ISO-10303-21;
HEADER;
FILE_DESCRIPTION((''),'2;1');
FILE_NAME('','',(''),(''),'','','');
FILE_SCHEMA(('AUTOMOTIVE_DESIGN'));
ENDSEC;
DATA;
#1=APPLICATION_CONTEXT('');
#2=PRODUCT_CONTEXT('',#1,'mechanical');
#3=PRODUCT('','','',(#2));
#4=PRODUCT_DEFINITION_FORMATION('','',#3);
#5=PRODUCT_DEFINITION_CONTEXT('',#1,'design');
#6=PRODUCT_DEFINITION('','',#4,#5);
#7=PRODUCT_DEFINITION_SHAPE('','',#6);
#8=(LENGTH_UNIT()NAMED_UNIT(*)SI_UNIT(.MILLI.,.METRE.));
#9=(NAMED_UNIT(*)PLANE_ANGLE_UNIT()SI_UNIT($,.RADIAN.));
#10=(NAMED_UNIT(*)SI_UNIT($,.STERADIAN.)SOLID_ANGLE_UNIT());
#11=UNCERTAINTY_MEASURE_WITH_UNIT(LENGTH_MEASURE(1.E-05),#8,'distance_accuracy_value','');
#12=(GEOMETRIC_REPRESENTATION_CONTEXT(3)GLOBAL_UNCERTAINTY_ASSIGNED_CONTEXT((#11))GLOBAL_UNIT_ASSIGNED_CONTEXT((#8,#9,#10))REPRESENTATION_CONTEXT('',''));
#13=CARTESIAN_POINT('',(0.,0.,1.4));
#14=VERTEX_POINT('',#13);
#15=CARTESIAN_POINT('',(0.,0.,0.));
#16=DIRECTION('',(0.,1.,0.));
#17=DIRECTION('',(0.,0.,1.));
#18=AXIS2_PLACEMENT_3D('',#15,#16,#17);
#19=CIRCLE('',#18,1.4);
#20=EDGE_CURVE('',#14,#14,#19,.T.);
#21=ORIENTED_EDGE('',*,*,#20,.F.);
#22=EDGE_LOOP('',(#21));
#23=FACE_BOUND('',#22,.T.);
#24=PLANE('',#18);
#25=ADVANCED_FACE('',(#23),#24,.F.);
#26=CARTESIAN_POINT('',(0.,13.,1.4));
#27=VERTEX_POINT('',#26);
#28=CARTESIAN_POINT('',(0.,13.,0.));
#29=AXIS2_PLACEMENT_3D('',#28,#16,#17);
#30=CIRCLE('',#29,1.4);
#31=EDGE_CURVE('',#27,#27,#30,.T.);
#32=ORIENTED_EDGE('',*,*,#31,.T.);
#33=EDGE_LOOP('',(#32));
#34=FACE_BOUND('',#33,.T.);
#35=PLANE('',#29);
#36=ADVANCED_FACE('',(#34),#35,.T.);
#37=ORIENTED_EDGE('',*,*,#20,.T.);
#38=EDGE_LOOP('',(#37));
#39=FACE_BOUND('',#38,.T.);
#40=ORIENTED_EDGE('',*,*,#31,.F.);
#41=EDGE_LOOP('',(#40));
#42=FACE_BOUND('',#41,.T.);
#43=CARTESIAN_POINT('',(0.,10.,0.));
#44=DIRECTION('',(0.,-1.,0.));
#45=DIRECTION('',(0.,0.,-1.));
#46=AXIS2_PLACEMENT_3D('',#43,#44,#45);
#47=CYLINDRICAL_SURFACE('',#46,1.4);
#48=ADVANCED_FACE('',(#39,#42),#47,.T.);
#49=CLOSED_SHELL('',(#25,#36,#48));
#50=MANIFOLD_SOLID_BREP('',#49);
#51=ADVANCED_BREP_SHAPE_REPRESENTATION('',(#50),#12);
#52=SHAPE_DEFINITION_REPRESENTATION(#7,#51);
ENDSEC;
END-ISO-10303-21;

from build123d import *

# Parameters (mm, degrees)
SKETCH1_R           = 1.4
BOSS_EXTRUDE1_DEPTH = 10
SKETCH2_R           = 1.4
BOSS_EXTRUDE2_DEPTH = 3


with BuildPart() as part:
    # Sketch1 → Boss-Extrude1 (new body)
    with BuildSketch(Plane(origin=(0, 0, 0), x_dir=(1, 0, 0), z_dir=(0, 1, 0))):
        Circle(SKETCH1_R)
    extrude(amount=BOSS_EXTRUDE1_DEPTH)

    # Sketch2 → Boss-Extrude2 (add)
    with BuildSketch(Plane(origin=(0, 10, 0), x_dir=(1, 0, 0), z_dir=(0, 1, 0))):
        Circle(SKETCH2_R)
    extrude(amount=BOSS_EXTRUDE2_DEPTH)


solid = part.part
